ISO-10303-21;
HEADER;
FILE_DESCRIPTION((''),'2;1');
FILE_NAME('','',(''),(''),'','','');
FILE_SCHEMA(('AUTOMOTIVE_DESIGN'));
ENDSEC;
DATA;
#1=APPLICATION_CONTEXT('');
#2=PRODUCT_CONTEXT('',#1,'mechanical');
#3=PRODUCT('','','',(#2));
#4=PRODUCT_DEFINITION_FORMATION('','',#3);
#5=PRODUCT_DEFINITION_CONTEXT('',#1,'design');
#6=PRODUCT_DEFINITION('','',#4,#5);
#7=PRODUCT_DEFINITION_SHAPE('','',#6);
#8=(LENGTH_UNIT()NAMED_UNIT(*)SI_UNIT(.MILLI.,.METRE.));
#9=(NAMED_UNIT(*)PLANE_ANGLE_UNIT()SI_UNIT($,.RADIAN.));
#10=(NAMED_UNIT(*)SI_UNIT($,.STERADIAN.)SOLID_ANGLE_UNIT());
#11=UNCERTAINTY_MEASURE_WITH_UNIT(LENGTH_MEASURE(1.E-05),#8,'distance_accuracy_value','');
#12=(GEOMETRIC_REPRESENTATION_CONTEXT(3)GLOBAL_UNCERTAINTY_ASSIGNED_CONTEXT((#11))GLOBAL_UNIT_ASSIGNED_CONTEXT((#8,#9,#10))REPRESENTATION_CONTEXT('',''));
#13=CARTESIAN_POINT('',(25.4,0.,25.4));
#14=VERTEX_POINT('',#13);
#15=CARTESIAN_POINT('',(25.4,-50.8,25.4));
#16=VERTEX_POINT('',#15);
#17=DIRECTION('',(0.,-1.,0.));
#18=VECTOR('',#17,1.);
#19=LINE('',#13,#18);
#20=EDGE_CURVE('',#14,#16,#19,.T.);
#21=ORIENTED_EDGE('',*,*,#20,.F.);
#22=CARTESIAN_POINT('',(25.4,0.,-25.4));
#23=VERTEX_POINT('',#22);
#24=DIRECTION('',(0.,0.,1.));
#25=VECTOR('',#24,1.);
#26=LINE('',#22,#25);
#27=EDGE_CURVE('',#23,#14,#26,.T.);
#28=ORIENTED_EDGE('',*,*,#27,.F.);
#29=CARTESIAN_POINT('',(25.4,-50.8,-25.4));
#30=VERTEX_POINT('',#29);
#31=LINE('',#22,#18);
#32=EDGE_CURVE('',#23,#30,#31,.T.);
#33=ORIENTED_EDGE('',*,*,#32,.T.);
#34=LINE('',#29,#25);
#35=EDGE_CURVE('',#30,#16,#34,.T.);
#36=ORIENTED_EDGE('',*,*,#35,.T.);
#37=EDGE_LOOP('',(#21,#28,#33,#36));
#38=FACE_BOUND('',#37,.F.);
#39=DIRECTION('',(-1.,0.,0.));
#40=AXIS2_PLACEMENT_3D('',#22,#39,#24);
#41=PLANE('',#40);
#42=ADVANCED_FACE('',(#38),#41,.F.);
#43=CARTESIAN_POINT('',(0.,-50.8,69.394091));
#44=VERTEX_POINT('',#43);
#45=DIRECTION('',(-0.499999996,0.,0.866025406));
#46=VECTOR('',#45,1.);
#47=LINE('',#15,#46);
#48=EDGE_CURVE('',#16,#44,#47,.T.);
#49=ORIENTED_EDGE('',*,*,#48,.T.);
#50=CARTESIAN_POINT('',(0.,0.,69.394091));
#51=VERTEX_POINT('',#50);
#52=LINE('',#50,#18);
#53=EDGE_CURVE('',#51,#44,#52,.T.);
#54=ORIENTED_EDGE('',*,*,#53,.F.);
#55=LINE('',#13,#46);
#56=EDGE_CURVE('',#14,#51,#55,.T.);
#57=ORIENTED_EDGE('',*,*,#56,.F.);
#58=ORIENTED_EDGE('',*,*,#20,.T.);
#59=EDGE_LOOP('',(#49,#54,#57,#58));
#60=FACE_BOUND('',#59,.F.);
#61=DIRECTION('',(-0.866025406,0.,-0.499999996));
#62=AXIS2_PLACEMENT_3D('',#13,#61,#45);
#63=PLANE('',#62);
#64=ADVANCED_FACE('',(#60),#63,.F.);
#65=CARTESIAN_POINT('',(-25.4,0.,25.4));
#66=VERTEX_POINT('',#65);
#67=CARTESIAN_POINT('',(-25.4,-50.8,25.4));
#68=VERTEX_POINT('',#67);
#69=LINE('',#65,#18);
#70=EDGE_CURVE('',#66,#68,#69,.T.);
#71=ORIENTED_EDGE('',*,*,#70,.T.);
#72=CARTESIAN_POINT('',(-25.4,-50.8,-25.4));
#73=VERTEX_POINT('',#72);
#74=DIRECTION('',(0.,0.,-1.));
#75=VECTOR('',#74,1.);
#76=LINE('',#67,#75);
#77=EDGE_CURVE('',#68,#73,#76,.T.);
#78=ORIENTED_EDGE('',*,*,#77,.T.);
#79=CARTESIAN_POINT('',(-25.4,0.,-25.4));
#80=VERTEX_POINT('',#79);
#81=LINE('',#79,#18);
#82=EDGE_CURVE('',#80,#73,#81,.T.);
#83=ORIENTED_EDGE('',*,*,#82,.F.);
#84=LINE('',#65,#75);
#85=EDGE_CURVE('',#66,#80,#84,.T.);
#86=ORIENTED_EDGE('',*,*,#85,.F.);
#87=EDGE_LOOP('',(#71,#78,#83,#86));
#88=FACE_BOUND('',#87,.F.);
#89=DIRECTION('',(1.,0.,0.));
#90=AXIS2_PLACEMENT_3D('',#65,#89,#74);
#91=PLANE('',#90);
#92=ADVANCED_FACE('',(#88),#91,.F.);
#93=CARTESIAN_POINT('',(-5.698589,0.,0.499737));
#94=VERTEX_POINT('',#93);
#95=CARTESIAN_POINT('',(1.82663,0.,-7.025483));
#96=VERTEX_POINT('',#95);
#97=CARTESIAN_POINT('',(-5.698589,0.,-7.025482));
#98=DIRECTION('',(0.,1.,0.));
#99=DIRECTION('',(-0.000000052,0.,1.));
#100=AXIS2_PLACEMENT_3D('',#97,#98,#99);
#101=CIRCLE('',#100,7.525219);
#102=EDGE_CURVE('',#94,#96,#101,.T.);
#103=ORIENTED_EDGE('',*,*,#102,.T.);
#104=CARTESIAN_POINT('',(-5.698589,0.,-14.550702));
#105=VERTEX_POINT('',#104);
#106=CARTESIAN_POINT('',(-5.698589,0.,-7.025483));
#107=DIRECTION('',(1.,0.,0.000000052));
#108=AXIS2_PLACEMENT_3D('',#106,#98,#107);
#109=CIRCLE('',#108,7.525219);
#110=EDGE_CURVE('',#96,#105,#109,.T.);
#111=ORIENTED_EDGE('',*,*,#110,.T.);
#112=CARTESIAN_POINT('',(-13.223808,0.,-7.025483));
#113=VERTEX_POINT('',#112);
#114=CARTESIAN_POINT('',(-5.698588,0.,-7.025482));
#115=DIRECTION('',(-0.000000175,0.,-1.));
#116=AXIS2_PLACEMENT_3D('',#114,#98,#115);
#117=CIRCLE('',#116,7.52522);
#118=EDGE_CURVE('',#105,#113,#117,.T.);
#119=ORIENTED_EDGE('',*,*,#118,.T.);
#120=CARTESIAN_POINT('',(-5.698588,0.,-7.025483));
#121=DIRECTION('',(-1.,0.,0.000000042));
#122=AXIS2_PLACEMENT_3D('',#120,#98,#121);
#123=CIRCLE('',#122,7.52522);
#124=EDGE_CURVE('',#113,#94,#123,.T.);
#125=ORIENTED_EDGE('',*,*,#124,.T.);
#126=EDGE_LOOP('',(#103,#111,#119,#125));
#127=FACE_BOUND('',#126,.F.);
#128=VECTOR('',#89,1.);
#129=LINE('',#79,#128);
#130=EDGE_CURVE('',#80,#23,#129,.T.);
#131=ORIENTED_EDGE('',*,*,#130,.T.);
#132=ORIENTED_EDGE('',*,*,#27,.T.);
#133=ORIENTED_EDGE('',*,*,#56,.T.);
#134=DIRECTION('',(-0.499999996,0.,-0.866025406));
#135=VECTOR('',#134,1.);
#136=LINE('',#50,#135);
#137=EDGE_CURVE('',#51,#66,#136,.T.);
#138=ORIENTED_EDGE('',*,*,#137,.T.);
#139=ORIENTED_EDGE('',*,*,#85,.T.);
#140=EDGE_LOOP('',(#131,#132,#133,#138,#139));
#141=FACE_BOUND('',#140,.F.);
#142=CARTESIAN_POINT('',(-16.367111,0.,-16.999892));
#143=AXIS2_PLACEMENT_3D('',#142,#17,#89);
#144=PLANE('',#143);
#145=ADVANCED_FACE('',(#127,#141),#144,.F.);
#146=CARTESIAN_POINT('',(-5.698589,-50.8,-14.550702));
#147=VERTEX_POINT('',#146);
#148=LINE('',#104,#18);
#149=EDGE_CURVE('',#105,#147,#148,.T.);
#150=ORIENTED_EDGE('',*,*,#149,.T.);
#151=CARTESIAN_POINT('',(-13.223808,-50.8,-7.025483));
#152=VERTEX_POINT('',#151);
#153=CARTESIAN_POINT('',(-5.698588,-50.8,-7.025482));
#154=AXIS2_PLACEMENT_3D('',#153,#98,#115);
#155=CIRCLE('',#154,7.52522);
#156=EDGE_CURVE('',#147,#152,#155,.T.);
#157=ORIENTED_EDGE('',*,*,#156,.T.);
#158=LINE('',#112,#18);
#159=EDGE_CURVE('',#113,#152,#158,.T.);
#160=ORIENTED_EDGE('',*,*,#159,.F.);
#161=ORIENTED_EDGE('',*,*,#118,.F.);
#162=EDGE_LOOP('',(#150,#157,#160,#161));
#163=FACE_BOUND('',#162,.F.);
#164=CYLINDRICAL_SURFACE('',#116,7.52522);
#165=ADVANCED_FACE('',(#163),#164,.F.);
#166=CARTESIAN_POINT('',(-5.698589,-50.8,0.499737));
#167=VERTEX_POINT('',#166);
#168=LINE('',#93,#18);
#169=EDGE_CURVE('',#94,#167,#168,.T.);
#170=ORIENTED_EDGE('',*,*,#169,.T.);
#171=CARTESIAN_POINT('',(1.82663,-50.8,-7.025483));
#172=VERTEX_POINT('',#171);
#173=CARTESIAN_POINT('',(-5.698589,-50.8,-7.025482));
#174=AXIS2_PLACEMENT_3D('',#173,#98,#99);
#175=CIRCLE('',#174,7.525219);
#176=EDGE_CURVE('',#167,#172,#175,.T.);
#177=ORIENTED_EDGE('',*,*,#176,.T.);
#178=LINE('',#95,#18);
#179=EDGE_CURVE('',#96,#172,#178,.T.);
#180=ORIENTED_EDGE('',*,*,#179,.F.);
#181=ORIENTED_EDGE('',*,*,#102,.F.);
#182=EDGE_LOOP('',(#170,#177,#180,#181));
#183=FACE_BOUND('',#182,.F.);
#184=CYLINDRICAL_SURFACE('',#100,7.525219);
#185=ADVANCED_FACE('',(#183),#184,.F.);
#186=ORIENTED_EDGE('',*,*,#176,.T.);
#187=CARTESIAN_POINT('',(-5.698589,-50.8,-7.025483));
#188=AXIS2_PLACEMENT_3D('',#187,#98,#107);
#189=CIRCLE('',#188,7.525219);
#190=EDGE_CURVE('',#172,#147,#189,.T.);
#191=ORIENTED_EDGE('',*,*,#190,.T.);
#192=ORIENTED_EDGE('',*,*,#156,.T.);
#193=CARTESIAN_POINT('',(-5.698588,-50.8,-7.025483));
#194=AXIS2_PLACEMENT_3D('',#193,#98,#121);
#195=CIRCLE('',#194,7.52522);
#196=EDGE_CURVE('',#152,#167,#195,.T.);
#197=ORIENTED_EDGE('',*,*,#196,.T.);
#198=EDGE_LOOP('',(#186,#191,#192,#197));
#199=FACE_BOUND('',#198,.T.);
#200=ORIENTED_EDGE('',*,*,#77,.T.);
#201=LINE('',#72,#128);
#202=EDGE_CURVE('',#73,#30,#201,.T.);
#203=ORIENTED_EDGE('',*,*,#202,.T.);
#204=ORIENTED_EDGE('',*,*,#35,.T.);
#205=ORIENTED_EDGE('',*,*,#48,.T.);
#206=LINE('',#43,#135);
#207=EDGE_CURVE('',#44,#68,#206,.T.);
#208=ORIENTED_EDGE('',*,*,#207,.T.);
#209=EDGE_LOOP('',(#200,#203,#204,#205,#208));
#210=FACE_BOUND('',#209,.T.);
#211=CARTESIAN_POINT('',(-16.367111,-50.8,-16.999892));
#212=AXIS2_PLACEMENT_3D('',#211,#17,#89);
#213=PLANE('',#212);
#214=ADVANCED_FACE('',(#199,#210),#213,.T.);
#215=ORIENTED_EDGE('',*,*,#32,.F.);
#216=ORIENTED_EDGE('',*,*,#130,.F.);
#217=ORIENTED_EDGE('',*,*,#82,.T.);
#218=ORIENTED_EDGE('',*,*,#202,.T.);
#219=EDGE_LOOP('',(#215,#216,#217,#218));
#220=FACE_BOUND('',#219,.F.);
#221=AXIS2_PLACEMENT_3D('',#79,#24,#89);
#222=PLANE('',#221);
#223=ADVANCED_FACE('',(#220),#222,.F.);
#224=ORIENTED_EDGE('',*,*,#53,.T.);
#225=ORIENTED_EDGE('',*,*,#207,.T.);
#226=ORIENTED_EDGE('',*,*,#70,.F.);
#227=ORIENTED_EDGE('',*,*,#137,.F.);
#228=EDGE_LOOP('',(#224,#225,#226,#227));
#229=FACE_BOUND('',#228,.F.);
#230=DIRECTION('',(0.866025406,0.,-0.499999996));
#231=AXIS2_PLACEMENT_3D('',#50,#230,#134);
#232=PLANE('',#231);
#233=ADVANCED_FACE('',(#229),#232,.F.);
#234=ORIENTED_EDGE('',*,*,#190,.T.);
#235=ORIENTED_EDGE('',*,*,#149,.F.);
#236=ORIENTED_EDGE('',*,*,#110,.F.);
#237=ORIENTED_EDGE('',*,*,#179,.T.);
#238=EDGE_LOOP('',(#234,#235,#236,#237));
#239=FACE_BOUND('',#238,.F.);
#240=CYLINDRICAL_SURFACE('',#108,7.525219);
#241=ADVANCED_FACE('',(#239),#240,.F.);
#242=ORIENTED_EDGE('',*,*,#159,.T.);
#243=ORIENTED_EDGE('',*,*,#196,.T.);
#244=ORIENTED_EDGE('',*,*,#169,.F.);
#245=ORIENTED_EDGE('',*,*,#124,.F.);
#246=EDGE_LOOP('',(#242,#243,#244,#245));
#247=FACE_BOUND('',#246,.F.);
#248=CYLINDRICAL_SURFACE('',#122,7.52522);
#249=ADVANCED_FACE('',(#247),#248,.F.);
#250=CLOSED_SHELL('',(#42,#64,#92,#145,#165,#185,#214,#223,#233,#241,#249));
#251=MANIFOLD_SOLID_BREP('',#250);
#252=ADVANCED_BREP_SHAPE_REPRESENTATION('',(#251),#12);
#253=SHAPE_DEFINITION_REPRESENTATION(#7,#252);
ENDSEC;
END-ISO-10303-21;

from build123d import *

# Parameters (mm, degrees)
F1_DEPTH = 50.8


with BuildPart() as f1:
    # F0 (on Front) → F1 (new body)
    with BuildSketch(Plane.XZ):
        with BuildLine():
            Line((-25.4, -7.025483), (-25.4, -25.4))
            Line((-25.4, -25.4), (-5.698589, -25.4))
            Line((-5.698589, -25.4), (-5.698589, -14.550702))
            ThreePointArc((-5.698589, -14.550702), (-11.019722, -12.346616), (-13.223808, -7.025483))
            Line((-13.223808, -7.025483), (-25.4, -7.025483))
        make_face()
        with BuildLine():
            Line((-5.698589, -14.550702), (-5.698589, -25.4))
            Line((-5.698589, -25.4), (25.4, -25.4))
            Line((25.4, -25.4), (25.4, -7.025483))
            Line((25.4, -7.025483), (1.82663, -7.025483))
            ThreePointArc((1.82663, -7.025483), (-0.377455, -12.346616), (-5.698589, -14.550702))
        make_face()
        with BuildLine():
            Line((-25.4, 25.4), (-25.4, -7.025483))
            Line((-25.4, -7.025483), (-13.223808, -7.025483))
            ThreePointArc((-13.223808, -7.025483), (-11.019722, -1.704349), (-5.698589, 0.499737))
            Line((-5.698589, 0.499737), (-5.698589, 25.4))
            Line((-5.698589, 25.4), (-25.4, 25.4))
        make_face()
        Polygon((0, 69.394091), (-25.4, 25.4), (-5.698589, 25.4), (25.4, 25.4), align=None)
        with BuildLine():
            Line((1.82663, -7.025483), (25.4, -7.025483))
            Line((25.4, -7.025483), (25.4, 25.4))
            Line((25.4, 25.4), (-5.698589, 25.4))
            Line((-5.698589, 25.4), (-5.698589, 0.499737))
            ThreePointArc((-5.698589, 0.499737), (-0.377455, -1.704349), (1.82663, -7.025483))
        make_face()
    extrude(amount=F1_DEPTH)


solid = f1.part
